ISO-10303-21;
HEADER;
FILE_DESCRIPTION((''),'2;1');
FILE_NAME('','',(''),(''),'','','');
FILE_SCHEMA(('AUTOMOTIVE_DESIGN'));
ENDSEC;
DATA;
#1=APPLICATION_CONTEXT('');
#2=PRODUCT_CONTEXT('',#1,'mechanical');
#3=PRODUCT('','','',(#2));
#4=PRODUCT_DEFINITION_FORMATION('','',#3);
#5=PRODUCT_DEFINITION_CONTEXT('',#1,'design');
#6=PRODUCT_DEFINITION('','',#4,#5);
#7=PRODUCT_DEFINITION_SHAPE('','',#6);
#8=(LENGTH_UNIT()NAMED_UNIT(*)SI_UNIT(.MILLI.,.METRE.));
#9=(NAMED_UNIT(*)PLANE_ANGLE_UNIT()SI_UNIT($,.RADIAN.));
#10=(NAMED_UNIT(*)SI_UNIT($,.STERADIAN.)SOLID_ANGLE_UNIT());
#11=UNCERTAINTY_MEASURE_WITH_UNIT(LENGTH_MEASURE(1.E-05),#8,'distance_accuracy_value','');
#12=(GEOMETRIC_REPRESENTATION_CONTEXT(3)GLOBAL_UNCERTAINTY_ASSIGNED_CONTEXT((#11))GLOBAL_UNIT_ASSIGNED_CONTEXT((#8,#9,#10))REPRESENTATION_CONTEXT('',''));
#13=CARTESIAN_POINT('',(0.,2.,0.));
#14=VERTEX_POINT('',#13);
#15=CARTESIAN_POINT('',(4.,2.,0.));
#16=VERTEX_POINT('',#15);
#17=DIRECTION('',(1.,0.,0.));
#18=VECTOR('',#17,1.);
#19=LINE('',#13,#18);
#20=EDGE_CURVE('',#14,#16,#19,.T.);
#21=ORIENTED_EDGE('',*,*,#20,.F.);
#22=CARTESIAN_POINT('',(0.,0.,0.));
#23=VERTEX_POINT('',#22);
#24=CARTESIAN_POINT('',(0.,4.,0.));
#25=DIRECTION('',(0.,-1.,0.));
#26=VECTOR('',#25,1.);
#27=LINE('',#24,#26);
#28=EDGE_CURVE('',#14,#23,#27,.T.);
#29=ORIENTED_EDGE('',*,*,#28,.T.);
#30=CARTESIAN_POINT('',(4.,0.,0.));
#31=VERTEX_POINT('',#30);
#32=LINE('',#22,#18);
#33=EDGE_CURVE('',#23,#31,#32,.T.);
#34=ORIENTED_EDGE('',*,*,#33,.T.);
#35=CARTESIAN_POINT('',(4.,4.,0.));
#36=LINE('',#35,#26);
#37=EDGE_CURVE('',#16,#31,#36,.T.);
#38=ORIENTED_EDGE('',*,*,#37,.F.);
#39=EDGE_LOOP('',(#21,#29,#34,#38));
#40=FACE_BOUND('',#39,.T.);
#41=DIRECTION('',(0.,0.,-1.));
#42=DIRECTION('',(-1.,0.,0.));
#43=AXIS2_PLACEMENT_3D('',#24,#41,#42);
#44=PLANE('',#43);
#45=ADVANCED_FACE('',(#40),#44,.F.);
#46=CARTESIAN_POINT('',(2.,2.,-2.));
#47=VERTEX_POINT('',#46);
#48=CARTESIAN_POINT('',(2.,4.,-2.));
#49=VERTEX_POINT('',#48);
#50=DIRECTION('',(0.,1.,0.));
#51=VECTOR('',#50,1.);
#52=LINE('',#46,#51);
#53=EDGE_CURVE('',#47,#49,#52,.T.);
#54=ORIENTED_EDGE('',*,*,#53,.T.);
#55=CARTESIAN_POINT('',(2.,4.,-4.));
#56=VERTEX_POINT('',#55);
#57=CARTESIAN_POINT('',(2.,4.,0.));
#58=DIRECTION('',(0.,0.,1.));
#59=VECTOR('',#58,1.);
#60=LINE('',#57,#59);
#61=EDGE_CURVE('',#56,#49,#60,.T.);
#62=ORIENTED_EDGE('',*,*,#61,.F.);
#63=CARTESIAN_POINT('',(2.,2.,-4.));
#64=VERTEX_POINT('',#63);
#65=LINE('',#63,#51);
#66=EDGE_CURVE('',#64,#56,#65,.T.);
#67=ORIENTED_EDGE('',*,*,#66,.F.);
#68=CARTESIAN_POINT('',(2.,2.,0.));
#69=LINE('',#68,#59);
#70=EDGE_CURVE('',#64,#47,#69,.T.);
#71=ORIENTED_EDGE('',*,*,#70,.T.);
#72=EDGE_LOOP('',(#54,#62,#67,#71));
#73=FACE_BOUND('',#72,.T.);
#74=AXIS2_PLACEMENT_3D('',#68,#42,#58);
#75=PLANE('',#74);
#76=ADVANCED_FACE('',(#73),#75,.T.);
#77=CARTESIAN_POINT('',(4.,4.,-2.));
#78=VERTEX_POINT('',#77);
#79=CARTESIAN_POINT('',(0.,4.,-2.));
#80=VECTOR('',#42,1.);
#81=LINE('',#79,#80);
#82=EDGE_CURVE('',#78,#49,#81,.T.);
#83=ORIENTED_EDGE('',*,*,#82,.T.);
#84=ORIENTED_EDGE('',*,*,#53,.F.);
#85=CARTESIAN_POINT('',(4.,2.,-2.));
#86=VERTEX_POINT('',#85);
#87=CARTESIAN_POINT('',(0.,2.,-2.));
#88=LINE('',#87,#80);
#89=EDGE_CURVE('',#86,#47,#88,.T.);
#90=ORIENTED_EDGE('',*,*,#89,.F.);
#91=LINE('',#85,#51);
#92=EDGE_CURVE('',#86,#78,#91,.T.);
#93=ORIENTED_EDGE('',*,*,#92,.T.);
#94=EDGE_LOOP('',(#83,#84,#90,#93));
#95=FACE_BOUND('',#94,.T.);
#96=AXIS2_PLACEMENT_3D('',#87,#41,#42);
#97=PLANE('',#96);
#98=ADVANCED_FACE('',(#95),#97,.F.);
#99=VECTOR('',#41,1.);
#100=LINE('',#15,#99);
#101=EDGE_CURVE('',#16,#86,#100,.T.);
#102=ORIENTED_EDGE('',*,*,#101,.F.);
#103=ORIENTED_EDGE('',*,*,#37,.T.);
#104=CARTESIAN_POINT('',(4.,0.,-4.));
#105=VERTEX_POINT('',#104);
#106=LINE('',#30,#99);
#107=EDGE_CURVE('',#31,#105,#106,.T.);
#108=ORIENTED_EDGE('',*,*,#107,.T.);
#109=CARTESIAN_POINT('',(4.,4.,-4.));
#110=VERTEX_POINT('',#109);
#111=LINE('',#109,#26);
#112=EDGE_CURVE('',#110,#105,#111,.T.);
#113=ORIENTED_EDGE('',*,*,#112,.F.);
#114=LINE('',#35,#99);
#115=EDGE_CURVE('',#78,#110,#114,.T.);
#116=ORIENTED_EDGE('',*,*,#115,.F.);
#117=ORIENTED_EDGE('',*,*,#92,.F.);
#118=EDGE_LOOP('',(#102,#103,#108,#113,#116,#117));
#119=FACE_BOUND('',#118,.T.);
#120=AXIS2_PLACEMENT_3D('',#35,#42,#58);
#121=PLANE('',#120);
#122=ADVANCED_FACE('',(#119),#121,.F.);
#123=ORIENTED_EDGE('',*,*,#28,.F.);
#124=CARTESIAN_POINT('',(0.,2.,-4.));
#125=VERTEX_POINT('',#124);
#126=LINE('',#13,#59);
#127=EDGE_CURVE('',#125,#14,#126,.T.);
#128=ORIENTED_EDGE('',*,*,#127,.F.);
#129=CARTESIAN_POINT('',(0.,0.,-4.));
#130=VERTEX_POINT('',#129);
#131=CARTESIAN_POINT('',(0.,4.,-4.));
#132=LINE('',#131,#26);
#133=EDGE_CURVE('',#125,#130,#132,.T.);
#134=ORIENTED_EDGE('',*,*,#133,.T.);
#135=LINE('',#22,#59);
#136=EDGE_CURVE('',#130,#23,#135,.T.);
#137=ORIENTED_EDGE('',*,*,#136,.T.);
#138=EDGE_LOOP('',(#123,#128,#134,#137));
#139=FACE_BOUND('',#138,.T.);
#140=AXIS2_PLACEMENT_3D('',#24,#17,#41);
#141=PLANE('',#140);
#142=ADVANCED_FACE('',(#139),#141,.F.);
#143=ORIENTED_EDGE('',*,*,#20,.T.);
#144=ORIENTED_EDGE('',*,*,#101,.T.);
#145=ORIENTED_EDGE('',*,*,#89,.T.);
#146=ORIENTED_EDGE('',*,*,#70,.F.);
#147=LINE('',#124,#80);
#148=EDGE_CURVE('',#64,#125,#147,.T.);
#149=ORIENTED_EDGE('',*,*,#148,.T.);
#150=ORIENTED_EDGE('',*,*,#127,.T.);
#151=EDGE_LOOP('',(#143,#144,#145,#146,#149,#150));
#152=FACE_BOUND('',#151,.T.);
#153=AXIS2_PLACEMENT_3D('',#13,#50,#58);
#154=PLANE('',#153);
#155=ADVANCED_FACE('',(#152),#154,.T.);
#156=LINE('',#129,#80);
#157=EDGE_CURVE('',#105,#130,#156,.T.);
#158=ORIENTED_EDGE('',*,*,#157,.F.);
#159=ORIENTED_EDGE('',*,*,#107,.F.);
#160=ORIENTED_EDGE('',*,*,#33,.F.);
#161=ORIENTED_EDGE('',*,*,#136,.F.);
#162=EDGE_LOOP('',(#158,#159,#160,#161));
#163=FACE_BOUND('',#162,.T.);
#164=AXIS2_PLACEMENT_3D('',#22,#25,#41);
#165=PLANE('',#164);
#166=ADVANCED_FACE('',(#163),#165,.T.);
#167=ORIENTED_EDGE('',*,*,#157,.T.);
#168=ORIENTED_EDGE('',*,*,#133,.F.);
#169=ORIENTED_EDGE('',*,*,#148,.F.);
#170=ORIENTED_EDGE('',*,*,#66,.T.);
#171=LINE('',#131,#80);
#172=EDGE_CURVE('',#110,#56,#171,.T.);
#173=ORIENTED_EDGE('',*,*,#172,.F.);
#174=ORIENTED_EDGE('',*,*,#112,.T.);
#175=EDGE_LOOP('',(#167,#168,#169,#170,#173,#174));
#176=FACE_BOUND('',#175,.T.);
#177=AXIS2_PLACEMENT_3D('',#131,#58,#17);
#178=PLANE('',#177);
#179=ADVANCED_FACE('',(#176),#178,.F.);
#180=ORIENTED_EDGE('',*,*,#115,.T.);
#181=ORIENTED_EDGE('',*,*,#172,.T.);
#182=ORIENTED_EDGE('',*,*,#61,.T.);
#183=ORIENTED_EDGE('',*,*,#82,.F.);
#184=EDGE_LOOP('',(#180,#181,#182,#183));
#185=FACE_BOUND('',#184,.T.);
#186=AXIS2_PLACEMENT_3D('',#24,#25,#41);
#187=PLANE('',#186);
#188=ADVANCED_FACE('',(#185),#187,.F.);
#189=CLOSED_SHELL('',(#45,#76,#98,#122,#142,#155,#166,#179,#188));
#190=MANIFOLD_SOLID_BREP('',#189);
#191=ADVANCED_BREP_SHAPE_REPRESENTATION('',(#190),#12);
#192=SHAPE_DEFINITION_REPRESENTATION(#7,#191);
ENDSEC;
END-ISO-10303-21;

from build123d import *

# Parameters (mm, degrees)
SKETCH1_W           = 4
SKETCH1_H           = 4
BOSS_EXTRUDE1_DEPTH = 4
CUT_EXTRUDE1_DEPTH  = 2


with BuildPart() as part:
    # Sketch1 → Boss-Extrude1 (new body)
    with BuildSketch(Plane(origin=(0, 0, 0), x_dir=(1, 0, 0), z_dir=(0, 1, 0))):
        with Locations((2, 2)):
            Rectangle(SKETCH1_W, SKETCH1_H)
    extrude(amount=BOSS_EXTRUDE1_DEPTH)

    # Sketch2 → Cut-Extrude1 (cut)
    with BuildSketch(Plane(origin=(0, 4, 0), x_dir=(1, 0, 0), z_dir=(0, 1, 0))):
        Polygon((2, 2), (2, 4), (0, 4), (0, 0), (4, 0), (4, 2), align=None)
    extrude(amount=-CUT_EXTRUDE1_DEPTH, mode=Mode.SUBTRACT)


solid = part.part
